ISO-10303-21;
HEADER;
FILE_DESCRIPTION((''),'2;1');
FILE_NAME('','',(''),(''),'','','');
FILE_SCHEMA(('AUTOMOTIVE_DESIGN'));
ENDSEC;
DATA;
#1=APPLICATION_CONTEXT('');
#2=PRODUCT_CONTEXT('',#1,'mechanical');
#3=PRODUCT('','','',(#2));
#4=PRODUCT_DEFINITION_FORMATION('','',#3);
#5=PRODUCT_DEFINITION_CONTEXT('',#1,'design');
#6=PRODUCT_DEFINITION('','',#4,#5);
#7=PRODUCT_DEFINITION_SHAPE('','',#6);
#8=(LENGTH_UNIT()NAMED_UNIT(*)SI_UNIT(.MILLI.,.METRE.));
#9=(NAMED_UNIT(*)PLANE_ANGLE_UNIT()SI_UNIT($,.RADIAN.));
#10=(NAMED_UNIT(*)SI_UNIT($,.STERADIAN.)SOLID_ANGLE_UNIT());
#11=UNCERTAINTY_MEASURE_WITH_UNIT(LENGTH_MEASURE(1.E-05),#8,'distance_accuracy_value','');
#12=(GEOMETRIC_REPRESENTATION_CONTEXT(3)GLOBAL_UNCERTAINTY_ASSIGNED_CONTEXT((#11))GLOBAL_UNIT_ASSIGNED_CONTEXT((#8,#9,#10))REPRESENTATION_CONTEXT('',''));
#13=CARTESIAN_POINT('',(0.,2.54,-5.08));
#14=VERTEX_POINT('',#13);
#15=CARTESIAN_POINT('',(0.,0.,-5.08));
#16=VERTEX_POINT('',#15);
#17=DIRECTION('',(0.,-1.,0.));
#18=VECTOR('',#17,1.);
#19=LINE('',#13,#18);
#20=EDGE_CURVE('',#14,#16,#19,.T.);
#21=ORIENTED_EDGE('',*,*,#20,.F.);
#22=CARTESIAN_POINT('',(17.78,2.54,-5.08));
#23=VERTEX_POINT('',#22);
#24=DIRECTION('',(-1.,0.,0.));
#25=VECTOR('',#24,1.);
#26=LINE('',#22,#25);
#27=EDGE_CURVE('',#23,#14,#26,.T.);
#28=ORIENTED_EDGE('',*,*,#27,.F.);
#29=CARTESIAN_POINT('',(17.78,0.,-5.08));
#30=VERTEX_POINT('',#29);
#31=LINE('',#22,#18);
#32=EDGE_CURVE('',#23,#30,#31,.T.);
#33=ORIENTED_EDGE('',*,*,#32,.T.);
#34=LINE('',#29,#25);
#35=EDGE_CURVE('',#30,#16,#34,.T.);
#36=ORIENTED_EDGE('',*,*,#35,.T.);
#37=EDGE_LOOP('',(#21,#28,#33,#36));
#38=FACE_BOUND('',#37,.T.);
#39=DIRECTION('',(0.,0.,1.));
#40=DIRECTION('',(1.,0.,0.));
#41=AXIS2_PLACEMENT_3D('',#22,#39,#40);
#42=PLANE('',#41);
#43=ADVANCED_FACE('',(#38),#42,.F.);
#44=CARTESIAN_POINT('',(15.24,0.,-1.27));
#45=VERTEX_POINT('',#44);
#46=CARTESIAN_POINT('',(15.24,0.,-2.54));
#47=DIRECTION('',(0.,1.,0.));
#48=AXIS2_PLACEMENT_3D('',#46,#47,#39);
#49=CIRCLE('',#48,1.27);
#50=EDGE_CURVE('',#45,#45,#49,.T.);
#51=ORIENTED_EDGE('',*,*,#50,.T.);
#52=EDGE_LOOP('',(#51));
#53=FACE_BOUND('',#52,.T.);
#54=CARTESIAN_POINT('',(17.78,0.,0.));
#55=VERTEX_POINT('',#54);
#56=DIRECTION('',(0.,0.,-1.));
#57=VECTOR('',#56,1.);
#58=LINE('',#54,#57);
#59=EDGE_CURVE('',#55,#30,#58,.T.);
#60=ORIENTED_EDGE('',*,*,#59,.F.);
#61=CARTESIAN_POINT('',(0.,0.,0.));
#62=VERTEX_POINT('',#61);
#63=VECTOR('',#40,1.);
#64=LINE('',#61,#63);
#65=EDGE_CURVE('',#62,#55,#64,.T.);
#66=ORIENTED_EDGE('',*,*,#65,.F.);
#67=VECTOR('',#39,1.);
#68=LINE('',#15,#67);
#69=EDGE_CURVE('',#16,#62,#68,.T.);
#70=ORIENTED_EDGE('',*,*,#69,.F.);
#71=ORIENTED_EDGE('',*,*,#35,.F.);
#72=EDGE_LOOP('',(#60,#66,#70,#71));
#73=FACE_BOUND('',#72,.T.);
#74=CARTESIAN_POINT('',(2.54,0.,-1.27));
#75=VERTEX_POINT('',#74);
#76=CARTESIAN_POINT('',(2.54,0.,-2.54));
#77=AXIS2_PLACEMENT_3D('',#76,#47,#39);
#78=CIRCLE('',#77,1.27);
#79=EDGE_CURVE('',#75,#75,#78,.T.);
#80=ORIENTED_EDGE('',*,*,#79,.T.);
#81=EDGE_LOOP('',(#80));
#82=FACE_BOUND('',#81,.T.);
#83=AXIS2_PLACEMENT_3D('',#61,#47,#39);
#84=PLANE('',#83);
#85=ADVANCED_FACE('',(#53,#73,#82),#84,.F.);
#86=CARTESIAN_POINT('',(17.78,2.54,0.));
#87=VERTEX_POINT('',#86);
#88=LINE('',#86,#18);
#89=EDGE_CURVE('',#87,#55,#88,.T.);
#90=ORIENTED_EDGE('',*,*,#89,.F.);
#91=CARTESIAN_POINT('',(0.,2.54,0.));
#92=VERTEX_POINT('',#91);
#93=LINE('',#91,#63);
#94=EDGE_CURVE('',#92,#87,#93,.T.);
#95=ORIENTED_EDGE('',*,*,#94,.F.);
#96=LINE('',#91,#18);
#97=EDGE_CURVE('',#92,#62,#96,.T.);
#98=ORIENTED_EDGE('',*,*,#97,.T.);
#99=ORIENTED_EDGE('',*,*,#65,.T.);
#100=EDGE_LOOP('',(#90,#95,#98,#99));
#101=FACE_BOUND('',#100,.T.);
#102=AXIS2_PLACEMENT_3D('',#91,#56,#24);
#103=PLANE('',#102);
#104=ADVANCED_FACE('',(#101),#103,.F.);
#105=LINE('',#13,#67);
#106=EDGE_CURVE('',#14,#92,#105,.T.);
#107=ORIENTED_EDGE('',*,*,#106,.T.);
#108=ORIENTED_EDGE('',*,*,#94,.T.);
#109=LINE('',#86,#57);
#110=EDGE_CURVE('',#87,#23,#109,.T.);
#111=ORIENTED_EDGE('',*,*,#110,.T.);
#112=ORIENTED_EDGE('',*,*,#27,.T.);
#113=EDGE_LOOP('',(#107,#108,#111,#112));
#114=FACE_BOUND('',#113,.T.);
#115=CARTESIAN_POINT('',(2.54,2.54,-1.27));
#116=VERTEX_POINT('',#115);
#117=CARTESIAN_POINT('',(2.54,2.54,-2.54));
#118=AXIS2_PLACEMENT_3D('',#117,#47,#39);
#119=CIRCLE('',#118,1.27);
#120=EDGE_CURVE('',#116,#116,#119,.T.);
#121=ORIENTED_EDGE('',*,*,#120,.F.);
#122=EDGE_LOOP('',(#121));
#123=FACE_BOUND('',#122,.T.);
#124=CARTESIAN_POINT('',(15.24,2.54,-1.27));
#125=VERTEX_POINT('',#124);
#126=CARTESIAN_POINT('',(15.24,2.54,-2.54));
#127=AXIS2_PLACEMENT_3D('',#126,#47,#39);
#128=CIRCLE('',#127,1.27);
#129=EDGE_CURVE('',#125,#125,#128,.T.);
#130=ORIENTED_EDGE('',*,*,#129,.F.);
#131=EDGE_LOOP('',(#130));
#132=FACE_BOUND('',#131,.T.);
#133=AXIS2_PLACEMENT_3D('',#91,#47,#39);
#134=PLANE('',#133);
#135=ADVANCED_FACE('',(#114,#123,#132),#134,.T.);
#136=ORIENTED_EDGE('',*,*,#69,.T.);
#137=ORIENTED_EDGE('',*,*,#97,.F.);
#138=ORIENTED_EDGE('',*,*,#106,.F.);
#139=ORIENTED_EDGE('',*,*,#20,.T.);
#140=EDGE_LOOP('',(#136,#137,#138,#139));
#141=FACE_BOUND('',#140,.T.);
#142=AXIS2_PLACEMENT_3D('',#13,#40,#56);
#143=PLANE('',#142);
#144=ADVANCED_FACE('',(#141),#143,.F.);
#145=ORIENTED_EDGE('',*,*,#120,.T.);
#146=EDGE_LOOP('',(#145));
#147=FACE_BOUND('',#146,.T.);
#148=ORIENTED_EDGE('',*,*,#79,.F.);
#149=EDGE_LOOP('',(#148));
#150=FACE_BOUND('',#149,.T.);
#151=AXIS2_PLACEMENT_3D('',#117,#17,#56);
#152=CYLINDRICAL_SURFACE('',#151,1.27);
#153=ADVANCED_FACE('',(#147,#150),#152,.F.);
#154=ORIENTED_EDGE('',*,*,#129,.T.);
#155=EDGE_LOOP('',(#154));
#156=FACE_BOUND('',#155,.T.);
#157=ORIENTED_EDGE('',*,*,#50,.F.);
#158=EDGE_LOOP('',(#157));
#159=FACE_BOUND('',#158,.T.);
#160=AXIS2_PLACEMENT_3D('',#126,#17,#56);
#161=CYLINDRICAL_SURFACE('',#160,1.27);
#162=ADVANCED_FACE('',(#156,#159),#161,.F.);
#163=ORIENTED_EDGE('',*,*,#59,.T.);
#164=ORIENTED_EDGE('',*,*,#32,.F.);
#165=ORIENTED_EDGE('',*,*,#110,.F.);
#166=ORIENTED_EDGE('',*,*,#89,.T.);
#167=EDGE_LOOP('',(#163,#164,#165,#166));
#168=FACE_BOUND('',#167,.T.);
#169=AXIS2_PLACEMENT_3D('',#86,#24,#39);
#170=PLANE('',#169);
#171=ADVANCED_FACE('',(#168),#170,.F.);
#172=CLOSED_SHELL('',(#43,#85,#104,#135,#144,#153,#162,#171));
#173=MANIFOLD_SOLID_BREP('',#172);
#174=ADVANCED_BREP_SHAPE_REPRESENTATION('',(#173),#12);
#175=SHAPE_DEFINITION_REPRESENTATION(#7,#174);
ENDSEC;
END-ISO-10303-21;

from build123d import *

# Parameters (mm, degrees)
SKETCH1_W           = 17.78
SKETCH1_H           = 5.08
SKETCH1_R           = 1.27
BOSS_EXTRUDE1_DEPTH = 2.54


with BuildPart() as part:
    # Sketch1 → Boss-Extrude1 (new body)
    with BuildSketch(Plane(origin=(0, 0, 0), x_dir=(1, 0, 0), z_dir=(0, 1, 0))):
        with Locations((8.89, 2.54)):
            Rectangle(SKETCH1_W, SKETCH1_H)
        with Locations(Location((2.54, 2.54, 0), (0, 0, 270))):
            Circle(SKETCH1_R, mode=Mode.SUBTRACT)
        with Locations(Location((15.24, 2.54, 0), (0, 0, 270))):
            Circle(SKETCH1_R, mode=Mode.SUBTRACT)
    extrude(amount=BOSS_EXTRUDE1_DEPTH)


solid = part.part
